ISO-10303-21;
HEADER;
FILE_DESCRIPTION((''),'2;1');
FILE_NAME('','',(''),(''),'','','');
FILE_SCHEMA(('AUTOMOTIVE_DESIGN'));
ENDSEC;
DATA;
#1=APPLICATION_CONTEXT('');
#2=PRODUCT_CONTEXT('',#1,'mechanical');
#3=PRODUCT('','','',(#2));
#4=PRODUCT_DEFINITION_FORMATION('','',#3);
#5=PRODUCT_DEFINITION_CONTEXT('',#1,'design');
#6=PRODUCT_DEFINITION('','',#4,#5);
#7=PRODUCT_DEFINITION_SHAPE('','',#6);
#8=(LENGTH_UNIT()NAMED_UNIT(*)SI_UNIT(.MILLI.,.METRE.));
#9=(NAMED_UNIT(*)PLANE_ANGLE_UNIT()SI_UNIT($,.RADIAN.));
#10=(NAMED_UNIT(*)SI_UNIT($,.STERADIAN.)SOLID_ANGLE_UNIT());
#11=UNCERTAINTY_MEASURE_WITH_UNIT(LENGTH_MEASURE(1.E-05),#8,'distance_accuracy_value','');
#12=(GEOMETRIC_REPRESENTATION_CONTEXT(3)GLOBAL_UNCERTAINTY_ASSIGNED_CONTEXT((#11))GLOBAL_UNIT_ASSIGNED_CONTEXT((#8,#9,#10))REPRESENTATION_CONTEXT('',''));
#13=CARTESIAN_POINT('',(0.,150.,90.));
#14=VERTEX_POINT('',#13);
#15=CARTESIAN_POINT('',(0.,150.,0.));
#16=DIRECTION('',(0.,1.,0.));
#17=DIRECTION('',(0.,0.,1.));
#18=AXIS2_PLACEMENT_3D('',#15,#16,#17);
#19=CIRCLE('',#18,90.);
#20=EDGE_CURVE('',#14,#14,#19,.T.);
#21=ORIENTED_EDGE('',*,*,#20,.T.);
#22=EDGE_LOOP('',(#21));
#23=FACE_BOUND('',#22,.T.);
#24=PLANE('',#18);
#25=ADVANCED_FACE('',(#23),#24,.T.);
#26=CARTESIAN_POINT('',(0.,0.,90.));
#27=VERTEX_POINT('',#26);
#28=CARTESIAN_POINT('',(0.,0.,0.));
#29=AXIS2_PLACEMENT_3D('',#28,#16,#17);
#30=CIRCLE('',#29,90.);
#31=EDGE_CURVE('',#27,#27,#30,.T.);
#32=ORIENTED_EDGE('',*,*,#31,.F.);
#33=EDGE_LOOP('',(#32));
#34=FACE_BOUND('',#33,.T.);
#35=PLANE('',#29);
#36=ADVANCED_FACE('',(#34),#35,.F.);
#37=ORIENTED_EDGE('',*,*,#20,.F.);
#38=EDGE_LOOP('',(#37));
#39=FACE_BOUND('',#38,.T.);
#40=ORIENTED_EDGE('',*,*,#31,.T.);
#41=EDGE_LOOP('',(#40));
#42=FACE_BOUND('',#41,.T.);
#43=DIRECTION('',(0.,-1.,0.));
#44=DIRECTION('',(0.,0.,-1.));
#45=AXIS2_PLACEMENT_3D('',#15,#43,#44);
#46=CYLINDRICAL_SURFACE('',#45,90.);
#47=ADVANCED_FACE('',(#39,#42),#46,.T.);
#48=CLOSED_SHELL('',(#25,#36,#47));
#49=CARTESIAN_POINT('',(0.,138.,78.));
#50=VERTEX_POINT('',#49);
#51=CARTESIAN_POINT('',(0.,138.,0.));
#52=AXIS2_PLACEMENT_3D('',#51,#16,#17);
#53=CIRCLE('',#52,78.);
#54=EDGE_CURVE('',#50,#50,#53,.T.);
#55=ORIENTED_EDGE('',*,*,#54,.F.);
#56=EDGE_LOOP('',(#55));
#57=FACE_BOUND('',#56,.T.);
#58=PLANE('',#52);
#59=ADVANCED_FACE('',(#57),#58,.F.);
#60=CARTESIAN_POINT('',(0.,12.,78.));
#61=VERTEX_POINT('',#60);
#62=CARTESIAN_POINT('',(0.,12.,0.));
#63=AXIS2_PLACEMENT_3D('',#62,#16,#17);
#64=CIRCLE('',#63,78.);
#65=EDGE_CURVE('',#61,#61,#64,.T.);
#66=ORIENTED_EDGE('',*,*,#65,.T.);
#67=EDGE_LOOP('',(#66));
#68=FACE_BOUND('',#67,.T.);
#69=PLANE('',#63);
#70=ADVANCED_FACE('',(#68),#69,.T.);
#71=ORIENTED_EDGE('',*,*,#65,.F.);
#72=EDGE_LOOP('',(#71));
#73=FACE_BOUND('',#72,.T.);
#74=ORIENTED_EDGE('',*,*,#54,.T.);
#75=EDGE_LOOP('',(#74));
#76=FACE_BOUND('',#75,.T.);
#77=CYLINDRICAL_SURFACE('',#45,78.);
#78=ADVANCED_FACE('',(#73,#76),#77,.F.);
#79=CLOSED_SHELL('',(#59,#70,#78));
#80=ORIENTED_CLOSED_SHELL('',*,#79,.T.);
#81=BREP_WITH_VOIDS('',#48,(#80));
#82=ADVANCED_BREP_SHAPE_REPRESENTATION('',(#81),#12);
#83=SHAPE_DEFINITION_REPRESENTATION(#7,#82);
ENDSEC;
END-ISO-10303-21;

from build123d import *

# Parameters (mm, degrees)
SKETCH1_R           = 90
BOSS_EXTRUDE1_DEPTH = 150
SHELL1_T            = 12


with BuildPart() as part:
    # Sketch1 → Boss-Extrude1 (new body)
    with BuildSketch(Plane(origin=(0, 0, 0), x_dir=(1, 0, 0), z_dir=(0, 1, 0))):
        with Locations(Location((0, 0, 0), (0, 0, 270))):
            Circle(SKETCH1_R)
    extrude(amount=BOSS_EXTRUDE1_DEPTH)

    # Shell1 (no face opened: a closed hollow body)
    add(offset(amount=-SHELL1_T, mode=Mode.PRIVATE), mode=Mode.SUBTRACT)


solid = part.part
